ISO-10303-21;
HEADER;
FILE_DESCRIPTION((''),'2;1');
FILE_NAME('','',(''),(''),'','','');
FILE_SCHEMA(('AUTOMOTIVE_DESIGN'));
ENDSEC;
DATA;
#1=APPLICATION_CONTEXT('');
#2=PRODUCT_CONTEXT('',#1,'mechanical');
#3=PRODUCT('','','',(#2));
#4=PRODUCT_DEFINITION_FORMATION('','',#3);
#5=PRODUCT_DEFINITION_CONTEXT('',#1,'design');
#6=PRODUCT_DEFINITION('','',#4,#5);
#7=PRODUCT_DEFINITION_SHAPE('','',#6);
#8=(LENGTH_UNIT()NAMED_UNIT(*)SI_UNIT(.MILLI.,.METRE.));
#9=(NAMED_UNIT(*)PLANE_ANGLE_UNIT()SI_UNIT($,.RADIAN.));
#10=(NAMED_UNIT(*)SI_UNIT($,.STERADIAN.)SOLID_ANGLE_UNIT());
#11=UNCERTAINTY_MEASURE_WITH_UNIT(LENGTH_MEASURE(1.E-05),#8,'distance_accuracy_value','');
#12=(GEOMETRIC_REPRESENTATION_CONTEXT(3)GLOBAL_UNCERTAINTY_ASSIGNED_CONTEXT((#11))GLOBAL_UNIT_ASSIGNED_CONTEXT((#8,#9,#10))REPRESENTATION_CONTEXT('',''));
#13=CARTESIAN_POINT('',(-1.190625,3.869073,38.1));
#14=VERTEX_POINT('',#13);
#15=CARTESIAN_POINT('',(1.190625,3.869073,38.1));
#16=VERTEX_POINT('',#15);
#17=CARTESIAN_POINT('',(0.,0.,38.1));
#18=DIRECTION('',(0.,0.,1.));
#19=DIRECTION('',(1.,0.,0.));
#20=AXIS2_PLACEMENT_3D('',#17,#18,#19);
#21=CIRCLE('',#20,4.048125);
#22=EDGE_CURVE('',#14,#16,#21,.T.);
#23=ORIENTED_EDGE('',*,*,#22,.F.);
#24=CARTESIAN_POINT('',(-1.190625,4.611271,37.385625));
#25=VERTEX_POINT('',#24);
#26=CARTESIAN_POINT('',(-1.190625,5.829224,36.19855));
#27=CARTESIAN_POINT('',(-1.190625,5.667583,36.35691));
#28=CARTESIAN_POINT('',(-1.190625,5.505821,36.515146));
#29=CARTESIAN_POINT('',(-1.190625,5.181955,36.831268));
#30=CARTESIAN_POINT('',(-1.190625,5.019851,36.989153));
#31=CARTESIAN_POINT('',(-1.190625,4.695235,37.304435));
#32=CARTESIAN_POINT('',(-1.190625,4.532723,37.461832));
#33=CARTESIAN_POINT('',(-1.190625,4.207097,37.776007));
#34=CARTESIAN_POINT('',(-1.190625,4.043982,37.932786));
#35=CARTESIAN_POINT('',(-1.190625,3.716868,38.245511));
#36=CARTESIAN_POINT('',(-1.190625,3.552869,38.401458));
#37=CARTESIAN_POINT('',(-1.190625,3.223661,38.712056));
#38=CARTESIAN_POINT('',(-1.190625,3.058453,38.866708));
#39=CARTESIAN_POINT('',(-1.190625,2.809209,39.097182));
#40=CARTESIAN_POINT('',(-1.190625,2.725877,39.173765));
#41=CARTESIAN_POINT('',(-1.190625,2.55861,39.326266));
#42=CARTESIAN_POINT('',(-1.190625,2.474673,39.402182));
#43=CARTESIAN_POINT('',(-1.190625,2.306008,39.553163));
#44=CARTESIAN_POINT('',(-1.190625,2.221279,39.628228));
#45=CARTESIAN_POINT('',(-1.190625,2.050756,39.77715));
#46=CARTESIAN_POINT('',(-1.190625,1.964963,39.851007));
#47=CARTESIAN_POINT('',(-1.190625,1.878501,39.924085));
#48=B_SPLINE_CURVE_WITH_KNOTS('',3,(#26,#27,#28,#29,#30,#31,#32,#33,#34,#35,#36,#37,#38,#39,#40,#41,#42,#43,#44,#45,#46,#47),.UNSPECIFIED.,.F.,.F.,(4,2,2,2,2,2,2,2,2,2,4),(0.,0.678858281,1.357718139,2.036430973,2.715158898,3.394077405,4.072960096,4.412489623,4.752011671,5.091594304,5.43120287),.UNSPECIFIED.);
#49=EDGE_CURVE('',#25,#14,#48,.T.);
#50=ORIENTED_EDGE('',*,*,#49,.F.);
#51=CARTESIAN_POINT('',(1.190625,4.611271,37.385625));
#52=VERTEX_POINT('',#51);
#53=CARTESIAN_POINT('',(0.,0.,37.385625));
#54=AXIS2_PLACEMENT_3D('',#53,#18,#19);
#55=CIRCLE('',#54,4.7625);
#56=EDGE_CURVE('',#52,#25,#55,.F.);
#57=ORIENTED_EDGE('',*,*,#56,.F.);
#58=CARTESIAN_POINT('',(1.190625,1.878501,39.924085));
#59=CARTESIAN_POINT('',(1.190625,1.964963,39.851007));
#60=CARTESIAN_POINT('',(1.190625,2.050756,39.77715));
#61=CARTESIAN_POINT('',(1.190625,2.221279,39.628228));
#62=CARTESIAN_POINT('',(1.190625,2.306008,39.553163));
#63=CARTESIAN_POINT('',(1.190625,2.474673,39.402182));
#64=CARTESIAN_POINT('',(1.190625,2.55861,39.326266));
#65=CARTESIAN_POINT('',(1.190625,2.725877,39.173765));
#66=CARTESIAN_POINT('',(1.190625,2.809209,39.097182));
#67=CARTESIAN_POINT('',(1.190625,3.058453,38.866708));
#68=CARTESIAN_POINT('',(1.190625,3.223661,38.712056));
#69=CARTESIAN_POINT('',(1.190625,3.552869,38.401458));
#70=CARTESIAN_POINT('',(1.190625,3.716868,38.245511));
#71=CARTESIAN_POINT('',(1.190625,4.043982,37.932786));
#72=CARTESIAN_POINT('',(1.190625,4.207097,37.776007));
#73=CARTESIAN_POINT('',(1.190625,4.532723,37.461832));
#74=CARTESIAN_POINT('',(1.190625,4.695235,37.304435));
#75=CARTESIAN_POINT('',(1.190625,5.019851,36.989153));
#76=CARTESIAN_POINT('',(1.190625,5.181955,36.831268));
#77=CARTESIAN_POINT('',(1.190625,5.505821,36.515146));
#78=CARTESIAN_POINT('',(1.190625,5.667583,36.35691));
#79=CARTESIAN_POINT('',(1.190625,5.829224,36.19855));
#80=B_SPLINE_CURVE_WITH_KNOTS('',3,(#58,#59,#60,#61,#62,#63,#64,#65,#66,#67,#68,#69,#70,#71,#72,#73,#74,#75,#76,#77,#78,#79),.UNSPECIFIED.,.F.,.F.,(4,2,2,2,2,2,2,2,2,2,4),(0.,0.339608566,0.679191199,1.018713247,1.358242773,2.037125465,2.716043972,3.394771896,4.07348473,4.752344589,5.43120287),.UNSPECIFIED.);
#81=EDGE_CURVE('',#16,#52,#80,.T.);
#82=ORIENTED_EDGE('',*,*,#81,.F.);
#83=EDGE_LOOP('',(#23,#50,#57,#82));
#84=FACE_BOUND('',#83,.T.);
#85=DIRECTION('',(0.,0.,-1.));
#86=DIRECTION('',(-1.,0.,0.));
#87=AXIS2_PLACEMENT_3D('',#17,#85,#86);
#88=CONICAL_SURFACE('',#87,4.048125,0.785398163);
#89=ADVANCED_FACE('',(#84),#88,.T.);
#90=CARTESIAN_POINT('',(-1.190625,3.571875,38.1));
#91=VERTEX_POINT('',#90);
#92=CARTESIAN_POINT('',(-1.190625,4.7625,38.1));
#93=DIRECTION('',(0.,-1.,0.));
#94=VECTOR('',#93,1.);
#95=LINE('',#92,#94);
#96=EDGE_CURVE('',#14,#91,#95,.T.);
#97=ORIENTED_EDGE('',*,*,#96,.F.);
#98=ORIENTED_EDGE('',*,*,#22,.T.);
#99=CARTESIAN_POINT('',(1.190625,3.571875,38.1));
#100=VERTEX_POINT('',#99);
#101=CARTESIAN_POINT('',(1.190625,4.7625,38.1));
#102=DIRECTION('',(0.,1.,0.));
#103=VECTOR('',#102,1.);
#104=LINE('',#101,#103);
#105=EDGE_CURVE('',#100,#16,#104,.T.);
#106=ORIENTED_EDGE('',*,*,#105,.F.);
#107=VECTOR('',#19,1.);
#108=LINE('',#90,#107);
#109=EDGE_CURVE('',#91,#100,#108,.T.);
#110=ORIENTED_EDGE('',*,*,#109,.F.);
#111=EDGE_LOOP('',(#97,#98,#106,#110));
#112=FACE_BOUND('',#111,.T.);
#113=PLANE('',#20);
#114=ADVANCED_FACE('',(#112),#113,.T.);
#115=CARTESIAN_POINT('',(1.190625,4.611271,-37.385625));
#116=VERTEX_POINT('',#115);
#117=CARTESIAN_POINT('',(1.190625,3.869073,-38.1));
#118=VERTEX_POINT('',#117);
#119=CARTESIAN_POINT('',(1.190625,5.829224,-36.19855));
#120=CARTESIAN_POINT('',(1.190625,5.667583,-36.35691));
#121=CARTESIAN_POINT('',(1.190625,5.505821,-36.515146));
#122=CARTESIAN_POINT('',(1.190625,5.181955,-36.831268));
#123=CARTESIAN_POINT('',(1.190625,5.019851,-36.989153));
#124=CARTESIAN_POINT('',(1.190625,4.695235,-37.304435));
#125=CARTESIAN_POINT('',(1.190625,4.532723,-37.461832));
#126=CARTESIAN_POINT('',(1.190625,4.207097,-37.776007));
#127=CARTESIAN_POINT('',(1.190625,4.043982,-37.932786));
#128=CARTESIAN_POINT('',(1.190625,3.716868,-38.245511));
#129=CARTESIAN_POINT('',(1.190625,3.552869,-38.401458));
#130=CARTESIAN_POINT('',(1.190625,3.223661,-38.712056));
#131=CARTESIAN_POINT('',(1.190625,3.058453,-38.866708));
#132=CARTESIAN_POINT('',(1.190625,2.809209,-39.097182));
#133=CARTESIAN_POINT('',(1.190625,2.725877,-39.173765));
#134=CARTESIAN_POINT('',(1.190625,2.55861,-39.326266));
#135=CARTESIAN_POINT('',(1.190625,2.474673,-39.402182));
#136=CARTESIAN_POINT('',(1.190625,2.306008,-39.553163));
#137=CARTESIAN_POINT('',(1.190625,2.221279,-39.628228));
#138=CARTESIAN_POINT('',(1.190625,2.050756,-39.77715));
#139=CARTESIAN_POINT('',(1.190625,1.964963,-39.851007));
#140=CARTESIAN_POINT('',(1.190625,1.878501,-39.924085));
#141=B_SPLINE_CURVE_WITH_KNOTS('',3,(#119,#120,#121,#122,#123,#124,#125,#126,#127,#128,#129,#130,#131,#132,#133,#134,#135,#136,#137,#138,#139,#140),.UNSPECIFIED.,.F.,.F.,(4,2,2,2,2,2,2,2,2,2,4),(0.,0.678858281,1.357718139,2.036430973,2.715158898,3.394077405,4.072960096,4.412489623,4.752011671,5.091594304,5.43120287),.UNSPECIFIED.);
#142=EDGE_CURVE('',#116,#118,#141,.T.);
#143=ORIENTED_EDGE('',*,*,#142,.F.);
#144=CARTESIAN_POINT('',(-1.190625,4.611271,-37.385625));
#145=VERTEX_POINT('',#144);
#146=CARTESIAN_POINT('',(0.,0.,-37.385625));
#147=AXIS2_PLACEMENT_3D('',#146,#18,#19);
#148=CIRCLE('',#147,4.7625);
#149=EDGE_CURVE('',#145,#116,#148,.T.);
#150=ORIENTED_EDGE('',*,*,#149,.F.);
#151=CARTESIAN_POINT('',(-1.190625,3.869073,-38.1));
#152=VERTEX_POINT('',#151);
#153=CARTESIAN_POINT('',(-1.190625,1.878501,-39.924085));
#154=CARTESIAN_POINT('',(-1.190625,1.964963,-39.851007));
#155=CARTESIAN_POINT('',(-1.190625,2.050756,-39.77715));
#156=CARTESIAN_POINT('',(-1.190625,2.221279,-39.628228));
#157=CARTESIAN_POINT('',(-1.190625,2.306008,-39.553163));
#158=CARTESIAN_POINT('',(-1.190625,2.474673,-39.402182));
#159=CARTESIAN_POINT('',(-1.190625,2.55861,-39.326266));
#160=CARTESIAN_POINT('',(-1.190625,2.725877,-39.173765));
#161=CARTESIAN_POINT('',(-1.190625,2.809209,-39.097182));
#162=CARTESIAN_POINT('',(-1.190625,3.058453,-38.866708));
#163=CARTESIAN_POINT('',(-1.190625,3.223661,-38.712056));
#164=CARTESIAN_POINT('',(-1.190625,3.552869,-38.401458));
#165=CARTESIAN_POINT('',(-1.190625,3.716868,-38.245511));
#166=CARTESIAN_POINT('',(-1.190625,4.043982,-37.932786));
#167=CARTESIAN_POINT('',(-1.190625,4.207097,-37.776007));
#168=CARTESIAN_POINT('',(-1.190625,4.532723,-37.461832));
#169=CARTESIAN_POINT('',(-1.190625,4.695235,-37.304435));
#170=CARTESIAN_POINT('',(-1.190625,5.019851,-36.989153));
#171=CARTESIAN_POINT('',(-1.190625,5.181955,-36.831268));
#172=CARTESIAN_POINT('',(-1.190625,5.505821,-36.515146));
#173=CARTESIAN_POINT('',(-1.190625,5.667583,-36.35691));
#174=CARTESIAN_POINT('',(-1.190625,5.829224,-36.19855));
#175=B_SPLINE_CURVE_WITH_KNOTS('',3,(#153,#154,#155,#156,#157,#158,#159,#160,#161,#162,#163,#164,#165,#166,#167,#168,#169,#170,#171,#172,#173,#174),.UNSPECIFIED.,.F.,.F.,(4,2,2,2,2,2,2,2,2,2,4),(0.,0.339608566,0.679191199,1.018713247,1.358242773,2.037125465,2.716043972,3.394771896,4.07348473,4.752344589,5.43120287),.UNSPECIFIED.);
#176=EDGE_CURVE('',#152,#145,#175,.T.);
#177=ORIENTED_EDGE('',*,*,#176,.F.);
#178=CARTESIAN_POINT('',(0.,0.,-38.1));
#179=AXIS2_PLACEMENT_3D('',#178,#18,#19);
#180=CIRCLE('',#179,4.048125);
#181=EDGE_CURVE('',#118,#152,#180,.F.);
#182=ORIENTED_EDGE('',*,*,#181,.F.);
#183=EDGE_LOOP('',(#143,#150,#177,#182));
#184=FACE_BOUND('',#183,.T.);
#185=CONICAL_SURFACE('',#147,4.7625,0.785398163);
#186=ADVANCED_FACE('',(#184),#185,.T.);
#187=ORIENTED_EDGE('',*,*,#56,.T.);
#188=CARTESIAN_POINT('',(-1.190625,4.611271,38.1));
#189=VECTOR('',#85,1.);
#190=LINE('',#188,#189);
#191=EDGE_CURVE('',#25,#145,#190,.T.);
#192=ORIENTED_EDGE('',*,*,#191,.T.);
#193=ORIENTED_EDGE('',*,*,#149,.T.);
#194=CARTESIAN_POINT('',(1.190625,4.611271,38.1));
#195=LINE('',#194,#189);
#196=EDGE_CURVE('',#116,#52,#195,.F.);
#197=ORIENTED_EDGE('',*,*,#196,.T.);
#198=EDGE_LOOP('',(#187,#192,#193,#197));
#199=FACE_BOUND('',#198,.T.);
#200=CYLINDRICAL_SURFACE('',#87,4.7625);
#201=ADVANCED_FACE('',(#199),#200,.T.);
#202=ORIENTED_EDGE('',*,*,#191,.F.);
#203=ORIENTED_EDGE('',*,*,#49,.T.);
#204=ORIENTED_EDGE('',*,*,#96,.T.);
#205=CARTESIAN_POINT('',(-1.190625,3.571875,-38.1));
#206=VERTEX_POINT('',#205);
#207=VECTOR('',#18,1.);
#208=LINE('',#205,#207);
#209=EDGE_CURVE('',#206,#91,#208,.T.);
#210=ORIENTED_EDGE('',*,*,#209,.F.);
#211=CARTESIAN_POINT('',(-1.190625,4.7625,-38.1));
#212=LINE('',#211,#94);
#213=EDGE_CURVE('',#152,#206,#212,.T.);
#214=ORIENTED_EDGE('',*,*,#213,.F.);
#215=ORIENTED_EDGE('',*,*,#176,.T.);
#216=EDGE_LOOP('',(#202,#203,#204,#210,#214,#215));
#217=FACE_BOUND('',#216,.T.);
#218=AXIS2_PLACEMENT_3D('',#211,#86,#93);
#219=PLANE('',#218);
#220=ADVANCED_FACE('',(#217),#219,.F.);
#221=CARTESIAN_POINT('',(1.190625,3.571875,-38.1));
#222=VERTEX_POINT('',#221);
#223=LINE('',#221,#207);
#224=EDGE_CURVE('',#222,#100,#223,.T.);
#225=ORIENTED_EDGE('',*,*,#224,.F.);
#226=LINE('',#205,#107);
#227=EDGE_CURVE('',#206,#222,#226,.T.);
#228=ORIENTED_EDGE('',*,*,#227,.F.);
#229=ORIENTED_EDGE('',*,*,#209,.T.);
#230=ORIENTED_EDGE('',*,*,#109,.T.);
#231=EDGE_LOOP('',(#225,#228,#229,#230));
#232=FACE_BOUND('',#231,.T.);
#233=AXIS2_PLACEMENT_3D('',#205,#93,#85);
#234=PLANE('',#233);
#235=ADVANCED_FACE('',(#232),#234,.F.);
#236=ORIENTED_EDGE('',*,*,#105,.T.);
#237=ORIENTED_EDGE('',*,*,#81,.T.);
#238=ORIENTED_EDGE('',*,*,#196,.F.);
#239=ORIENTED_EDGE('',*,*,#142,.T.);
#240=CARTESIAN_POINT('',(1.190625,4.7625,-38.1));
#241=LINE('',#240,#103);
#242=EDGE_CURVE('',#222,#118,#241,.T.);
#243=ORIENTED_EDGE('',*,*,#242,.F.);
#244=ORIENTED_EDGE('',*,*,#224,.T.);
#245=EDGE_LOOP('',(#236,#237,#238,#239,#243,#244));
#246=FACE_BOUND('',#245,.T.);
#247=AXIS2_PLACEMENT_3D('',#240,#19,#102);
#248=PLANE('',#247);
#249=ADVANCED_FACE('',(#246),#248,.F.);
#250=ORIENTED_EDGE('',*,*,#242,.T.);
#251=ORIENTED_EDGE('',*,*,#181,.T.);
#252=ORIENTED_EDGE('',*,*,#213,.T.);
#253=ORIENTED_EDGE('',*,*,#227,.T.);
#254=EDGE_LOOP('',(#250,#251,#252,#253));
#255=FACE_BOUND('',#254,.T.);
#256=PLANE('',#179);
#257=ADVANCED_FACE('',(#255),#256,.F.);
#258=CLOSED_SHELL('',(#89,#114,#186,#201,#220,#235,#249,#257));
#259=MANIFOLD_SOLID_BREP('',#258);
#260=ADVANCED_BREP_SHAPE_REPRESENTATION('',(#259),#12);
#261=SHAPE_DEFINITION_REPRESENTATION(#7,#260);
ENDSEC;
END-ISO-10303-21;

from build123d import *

# Parameters (mm, degrees)
SKETCH1_R           = 4.7625
EXTRUDE1_DEPTH      = 38.1
CHAMFER1_SIZE       = 0.714375
EXTRUDE2_DEPTH      = 39.690732902
EXTRUDE2_DEPTH_BACK = 39.690732902
SKETCH3_W           = 2.38125
SKETCH3_H           = 1.190625


with BuildPart() as part:
    # Sketch1 → Extrude1 (new, symmetric)
    with BuildSketch(Plane.XY):
        with Locations(Location((0, 0, 0), (0, 0, 180))):
            Circle(SKETCH1_R)
    extrude(amount=EXTRUDE1_DEPTH, both=True)

    # Chamfer1
    chamfer1_edges = [part.edges().sort_by_distance(p)[0] for p in [
        (4.7625, 0, -38.1),
        (4.7625, 0, 38.1),
    ]]
    chamfer(chamfer1_edges, length=CHAMFER1_SIZE)

    # Sketch3 → Extrude2 (cut, two sides: drawn at the far end of the back side and taken through both)
    with BuildSketch(Plane.XY.offset(-EXTRUDE2_DEPTH_BACK)):
        with Locations((0, 4.1671875)):
            Rectangle(SKETCH3_W, SKETCH3_H)
    extrude(amount=EXTRUDE2_DEPTH + EXTRUDE2_DEPTH_BACK, mode=Mode.SUBTRACT)


solid = part.part
